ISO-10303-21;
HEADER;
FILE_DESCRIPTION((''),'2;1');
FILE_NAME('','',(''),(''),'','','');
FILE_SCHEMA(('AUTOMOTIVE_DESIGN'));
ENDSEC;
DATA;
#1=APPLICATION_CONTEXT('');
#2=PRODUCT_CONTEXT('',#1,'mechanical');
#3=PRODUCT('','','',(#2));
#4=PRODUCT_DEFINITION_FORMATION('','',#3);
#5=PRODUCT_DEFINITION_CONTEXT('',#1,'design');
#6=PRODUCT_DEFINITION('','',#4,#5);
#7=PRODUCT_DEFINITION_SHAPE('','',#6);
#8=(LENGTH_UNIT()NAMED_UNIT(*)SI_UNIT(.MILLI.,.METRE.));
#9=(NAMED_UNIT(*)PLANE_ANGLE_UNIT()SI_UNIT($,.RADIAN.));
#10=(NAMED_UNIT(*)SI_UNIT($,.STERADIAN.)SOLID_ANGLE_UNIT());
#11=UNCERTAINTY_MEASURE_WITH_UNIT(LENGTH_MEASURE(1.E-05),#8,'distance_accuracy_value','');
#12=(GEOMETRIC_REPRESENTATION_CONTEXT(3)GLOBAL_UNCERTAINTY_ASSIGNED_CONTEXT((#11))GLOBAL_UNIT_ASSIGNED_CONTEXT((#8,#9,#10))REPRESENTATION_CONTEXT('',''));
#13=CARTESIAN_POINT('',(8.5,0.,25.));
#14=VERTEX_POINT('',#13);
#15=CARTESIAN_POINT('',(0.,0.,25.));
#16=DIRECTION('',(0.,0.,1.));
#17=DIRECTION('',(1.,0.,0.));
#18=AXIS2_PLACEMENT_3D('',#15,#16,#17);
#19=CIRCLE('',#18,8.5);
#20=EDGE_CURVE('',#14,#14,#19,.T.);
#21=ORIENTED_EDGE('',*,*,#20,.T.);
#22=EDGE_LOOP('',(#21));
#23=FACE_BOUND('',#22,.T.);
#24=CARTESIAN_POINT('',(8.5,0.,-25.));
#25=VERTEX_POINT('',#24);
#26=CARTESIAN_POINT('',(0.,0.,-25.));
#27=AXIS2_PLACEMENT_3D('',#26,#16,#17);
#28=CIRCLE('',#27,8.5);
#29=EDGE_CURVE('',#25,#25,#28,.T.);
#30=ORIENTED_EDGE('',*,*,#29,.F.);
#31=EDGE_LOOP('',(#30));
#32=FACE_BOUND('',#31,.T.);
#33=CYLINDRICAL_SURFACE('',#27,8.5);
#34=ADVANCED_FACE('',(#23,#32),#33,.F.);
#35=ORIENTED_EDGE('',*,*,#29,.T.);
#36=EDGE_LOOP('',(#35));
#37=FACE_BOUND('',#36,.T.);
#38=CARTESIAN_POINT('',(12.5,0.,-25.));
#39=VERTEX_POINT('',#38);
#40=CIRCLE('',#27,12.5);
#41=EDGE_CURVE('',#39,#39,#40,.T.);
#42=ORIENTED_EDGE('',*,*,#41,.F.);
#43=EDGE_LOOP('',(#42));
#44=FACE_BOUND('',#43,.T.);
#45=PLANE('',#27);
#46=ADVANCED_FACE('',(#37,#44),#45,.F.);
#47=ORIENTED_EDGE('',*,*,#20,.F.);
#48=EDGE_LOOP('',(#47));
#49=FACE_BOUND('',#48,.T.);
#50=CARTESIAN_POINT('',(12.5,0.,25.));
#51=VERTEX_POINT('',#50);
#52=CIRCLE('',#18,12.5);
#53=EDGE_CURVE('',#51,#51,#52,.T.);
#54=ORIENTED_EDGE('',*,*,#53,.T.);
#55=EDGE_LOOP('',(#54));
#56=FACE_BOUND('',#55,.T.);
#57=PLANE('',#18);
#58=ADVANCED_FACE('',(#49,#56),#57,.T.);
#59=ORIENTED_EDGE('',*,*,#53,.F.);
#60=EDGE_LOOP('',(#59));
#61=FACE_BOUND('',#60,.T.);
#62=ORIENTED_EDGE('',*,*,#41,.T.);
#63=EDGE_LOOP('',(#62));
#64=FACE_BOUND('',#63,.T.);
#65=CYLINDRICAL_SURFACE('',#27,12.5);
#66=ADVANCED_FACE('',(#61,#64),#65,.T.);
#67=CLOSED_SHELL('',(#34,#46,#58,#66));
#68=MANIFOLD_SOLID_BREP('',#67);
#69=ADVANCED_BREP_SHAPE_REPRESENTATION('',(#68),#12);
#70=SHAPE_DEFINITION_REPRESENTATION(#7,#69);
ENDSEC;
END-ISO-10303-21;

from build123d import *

# Parameters (mm, degrees)
BOSS_EXTRUDE1_DEPTH      = 25
BOSS_EXTRUDE1_DEPTH_BACK = 25
SKETCH1_R                = 12.5
SKETCH2_R                = 8.5
CUT_EXTRUDE1_DEPTH       = 50


with BuildPart() as part:
    # Sketch1 → Boss-Extrude1 (new, two sides: drawn at the far end of the back side and taken through both)
    with BuildSketch(Plane.XY.offset(-BOSS_EXTRUDE1_DEPTH_BACK)):
        Circle(SKETCH1_R)
    extrude(amount=BOSS_EXTRUDE1_DEPTH + BOSS_EXTRUDE1_DEPTH_BACK)

    # Sketch2 → Cut-Extrude1 (cut)
    with BuildSketch(Plane.XY.offset(25)):
        Circle(SKETCH2_R)
    extrude(amount=-CUT_EXTRUDE1_DEPTH, mode=Mode.SUBTRACT)


solid = part.part
